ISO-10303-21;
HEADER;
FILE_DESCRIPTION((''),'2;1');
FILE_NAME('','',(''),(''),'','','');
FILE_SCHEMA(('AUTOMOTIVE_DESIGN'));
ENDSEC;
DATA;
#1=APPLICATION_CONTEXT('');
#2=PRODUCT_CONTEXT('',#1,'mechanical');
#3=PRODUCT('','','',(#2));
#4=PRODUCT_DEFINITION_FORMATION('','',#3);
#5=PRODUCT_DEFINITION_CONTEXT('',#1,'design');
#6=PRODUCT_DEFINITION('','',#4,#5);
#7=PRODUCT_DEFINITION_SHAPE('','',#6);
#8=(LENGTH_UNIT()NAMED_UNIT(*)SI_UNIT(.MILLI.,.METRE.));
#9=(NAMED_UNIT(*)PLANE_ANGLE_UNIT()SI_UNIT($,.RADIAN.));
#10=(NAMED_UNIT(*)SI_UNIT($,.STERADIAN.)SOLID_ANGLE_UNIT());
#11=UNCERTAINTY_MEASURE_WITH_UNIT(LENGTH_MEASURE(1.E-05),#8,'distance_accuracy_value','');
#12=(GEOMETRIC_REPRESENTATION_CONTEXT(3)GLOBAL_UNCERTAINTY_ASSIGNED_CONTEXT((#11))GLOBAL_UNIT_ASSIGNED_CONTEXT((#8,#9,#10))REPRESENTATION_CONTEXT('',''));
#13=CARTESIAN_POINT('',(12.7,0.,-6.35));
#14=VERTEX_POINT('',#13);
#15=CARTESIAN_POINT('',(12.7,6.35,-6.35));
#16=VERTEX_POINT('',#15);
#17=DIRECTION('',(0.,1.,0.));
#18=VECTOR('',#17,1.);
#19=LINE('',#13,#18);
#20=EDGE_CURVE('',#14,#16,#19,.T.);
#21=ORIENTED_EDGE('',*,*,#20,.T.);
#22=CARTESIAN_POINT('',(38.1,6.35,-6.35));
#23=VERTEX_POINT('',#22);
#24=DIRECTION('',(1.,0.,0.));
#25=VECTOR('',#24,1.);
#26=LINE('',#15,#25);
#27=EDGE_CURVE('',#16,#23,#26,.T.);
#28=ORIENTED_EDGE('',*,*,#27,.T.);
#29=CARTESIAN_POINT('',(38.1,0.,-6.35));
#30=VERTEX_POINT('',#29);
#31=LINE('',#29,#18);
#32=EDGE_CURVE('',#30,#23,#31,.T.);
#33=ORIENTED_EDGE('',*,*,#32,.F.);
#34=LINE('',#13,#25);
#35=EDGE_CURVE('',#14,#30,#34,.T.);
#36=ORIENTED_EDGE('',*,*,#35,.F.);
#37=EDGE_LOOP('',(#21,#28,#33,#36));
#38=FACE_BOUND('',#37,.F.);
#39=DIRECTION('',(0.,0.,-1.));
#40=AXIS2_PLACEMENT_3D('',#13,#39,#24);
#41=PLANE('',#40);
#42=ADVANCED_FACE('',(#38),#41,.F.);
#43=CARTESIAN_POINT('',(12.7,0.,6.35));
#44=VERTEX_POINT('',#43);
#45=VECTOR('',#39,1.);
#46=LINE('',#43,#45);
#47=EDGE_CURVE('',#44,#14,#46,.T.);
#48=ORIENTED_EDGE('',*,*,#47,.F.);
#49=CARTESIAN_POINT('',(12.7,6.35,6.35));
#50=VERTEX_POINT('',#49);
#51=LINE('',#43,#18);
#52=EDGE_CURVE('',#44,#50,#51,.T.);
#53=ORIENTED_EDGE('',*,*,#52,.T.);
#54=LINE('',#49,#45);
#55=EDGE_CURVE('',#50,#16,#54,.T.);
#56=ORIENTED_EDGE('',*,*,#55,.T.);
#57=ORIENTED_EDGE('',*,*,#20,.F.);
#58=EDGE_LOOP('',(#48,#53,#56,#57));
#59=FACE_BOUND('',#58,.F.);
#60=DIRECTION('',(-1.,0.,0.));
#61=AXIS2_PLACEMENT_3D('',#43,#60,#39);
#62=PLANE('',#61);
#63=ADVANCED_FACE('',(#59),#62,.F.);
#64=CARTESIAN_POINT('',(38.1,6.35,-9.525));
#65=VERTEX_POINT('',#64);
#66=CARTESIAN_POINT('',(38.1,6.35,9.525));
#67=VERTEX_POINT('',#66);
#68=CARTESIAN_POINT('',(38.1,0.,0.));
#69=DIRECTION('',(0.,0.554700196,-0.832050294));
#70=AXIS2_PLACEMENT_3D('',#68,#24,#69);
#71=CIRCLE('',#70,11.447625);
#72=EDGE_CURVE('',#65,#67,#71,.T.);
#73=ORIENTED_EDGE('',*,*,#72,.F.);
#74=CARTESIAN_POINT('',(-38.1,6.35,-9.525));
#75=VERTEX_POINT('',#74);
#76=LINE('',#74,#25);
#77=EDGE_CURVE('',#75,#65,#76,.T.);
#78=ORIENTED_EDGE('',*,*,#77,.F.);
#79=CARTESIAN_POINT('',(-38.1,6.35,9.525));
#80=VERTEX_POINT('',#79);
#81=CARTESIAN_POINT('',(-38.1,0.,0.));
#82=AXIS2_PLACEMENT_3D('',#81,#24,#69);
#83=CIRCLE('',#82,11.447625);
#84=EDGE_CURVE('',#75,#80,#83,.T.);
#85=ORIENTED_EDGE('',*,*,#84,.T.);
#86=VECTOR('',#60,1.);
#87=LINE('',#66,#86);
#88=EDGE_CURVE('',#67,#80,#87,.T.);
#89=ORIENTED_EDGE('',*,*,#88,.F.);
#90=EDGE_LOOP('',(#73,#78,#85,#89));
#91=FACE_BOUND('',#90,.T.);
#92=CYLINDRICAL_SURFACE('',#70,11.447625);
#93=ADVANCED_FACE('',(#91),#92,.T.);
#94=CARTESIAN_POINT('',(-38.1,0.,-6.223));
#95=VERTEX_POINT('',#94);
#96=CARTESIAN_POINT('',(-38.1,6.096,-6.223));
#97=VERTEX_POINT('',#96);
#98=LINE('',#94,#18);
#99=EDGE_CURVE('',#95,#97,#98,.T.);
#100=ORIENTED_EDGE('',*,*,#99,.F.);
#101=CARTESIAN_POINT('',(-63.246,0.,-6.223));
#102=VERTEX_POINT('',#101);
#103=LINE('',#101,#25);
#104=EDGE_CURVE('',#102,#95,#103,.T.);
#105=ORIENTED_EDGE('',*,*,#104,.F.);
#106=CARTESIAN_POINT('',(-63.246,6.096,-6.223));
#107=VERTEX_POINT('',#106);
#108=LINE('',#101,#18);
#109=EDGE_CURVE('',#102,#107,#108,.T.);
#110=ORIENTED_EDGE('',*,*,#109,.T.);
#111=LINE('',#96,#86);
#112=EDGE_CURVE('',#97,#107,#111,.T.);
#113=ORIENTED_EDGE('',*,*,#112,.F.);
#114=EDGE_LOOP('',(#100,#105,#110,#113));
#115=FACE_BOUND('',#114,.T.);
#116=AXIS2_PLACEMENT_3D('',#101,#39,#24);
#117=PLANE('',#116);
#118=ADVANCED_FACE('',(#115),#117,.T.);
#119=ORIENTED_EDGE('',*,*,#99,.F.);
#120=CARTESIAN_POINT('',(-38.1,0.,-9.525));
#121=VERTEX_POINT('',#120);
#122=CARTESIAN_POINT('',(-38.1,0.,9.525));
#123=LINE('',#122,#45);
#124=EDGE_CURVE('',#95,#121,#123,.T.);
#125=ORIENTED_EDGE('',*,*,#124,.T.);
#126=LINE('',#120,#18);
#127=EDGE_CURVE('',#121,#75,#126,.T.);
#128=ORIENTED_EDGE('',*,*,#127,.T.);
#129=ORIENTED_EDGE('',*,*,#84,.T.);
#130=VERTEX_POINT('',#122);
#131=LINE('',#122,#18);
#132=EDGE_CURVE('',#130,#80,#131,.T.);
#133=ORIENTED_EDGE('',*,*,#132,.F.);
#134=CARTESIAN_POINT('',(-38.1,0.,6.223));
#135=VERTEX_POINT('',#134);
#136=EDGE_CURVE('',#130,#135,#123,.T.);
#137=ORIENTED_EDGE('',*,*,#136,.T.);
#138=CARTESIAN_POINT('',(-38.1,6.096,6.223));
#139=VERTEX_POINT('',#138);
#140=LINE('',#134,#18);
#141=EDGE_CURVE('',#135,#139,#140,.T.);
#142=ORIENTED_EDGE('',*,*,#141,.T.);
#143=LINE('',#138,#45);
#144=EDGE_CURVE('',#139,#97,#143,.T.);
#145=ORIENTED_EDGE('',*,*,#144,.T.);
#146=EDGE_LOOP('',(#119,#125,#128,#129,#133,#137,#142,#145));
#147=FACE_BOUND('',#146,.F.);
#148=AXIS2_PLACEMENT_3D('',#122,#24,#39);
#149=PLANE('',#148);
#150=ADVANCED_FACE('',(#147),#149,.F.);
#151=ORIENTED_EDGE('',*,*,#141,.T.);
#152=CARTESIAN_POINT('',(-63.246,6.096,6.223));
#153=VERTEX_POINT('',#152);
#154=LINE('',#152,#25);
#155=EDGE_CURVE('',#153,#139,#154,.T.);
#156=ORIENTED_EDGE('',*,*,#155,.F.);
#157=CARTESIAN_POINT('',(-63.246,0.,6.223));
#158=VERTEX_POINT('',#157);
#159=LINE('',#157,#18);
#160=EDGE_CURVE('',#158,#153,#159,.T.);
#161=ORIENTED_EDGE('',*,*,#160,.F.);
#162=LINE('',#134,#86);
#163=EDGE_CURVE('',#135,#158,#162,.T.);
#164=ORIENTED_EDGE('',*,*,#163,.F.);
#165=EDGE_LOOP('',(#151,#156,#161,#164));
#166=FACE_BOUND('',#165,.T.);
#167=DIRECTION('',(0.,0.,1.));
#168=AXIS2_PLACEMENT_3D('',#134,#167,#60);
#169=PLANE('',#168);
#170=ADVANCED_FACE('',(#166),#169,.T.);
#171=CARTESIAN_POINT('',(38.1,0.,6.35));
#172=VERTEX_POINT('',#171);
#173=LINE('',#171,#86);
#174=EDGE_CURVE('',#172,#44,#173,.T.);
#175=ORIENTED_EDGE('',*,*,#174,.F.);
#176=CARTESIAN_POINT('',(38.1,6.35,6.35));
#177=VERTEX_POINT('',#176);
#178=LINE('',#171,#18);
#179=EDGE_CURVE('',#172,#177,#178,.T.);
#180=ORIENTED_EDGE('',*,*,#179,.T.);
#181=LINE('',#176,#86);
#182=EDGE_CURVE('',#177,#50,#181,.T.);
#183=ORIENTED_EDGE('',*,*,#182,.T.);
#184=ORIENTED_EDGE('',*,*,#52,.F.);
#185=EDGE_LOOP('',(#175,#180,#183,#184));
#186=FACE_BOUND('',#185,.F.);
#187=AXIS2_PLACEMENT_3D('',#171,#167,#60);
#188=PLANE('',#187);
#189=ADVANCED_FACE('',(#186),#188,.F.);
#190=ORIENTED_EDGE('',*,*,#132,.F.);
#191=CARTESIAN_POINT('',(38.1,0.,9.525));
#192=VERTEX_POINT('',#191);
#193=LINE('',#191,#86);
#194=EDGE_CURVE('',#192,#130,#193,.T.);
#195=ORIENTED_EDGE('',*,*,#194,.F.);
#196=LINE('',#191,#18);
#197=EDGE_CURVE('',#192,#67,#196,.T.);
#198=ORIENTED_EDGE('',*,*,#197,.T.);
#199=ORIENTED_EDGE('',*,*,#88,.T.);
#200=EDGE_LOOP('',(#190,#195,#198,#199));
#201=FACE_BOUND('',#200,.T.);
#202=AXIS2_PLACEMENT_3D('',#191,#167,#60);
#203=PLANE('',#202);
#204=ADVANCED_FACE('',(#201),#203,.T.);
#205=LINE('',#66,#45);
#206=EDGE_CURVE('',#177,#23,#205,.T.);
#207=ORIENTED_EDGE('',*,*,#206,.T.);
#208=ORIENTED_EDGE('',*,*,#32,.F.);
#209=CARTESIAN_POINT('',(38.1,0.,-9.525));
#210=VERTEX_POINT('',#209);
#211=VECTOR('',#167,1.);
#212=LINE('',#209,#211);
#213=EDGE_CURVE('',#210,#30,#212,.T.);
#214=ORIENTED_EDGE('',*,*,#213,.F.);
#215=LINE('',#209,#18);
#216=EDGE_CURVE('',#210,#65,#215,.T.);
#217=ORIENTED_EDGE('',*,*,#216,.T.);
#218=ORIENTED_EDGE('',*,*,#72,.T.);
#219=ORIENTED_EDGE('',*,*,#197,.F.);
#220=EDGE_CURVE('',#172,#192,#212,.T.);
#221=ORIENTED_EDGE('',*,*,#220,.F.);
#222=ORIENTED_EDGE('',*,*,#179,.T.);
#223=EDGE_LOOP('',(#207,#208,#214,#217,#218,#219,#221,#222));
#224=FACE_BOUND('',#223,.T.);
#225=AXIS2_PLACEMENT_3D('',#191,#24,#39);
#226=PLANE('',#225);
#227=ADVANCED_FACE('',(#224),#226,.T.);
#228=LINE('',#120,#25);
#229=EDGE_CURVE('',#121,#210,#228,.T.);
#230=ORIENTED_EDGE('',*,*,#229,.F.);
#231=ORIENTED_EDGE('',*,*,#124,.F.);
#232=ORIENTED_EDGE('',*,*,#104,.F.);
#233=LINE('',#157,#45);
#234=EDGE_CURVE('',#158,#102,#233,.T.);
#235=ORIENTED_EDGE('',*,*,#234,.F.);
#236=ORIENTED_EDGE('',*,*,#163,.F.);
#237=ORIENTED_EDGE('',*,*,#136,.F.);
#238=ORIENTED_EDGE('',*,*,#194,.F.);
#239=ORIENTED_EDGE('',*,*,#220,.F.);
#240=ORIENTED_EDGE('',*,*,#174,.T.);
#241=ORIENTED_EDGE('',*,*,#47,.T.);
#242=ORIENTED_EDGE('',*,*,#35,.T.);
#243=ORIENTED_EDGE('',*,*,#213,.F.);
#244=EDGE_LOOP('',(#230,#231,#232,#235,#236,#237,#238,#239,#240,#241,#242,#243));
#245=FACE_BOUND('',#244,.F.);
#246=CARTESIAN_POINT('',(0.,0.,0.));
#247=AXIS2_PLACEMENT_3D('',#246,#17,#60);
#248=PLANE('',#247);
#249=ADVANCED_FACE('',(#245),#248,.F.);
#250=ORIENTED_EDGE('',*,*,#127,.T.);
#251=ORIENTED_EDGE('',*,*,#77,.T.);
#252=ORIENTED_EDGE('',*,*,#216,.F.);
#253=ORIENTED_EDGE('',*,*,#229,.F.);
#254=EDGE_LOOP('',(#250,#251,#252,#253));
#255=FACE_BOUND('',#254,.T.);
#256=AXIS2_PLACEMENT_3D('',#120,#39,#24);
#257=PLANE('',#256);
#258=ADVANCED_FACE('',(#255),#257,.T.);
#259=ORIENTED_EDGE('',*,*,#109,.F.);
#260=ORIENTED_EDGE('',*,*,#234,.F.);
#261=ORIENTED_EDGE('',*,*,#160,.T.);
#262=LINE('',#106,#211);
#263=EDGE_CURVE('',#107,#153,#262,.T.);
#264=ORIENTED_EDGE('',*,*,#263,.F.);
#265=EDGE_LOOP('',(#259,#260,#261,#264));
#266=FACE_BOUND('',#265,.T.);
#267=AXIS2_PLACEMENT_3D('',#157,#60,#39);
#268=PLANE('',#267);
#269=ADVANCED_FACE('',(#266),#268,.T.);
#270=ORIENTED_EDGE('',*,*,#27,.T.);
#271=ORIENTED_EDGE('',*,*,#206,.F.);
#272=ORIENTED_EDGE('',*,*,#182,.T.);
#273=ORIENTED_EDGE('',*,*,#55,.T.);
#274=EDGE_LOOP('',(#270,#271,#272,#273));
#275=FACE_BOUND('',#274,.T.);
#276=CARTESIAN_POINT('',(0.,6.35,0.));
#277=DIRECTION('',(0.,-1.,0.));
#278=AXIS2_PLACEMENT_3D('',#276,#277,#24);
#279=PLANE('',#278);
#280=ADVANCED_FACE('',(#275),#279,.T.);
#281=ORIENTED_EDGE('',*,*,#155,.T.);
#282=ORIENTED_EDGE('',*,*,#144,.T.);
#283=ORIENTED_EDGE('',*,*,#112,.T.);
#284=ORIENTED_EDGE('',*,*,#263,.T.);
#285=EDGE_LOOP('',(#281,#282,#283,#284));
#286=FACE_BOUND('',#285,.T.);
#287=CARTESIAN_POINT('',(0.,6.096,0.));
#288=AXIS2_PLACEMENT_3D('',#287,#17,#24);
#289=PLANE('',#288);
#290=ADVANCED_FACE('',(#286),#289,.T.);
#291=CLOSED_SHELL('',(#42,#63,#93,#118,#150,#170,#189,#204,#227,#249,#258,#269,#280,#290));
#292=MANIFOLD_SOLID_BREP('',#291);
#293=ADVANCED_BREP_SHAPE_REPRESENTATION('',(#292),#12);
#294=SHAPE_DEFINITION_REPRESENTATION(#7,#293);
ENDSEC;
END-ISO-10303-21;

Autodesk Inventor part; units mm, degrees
ref_plane "YZ Plane" through (0, 0, 0) normal (1, 0, 0) x (0, 1, 0)
ref_plane "XZ Plane" through (0, 0, 0) normal (0, 1, 0) x (-1, 0, 0)
ref_plane "XY Plane" through (0, 0, 0) normal (0, 0, 1) x (1, 0, 0)
sketch "Sketch1" plane through (0, 0, 0) normal (0, 1, 0) x (-1, 0, 0)
  line L0 (-38.1, 9.525) -> (38.1, 9.525)
  line L1 (38.1, 9.525) -> (38.1, -9.525)
  line L2 (38.1, -9.525) -> (-38.1, -9.525)
  line L3 (-38.1, -9.525) -> (-38.1, 9.525)
  line L4 (38.1, 6.223) -> (63.246, 6.223)
  line L5 (63.246, 6.223) -> (63.246, -6.223)
  line L6 (63.246, -6.223) -> (38.1, -6.223)
  line L7 (38.1, -6.223) -> (38.1, 6.223)
  point P0 (0, 0)
  point P1 (38.1, 0)
  dimension "d0" = 76.2
  dimension "d1" = 19.05
  dimension "d2" = 9.525
  dimension "d3" = 38.1
  dimension "d4" = 25.146
  dimension "d5" = 12.446
  dimension "d6" = 6.223
extrude "Extrusion1" add sketch "Sketch1" along normal blind 6.35
sketch "Sketch2" plane through (38.1, 0, 9.525) normal (1, 0, 0) x (0, 0, -1)
  line L0 (0, 0) -> (19.05, 0) projected
  line L1 (19.05, 0) -> (19.05, 6.35) projected
  line L2 (0, 6.35) -> (19.05, 6.35) projected
  line L3 (0, 0) -> (0, 6.35) projected
  line L4 (19.05, 0) -> (19.05, 6.35) projected
  line L5 (0, 0) -> (0, 6.35) projected
  arc A0 (19.05, 6.35) -> (0, 6.35) centre (9.525, 0) ccw
  point P0 (9.525, 0)
extrude "Extrusion2" add sketch "Sketch2" against normal blind 76.2 contours A0 L2
sketch "Sketch3" plane through (0, 0, 0) normal (0, -1, 0) x (1, 0, 0)
  line L0 (38.1, 9.525) -> (38.1, -9.525) projected
  line L1 (-38.1, 9.525) -> (38.1, 9.525) projected
  line L2 (-38.1, 6.223) -> (-38.1, 9.525) projected
  line L3 (-63.246, 6.223) -> (-38.1, 6.223) projected
  line L4 (-63.246, -6.223) -> (-63.246, 6.223) projected
  line L5 (-38.1, -6.223) -> (-63.246, -6.223) projected
  line L6 (-38.1, -9.525) -> (-38.1, -6.223) projected
  line L7 (38.1, -9.525) -> (-38.1, -9.525) projected
  line L8 (38.1, -9.525) -> (38.1, 9.525) projected
  line L9 (38.1, 6.35) -> (12.7, 6.35)
  line L10 (12.7, 6.35) -> (12.7, -6.35)
  line L11 (12.7, -6.35) -> (38.1, -6.35)
  line L12 (38.1, -6.35) -> (38.1, 6.35)
  point P0 (0, 0)
  point P1 (38.1, 0)
  dimension "d11" = 12.7
  dimension "d12" = 12.446
  dimension "d13" = 6.35
  dimension "d14" = 25.4
extrude "Extrusion3" cut sketch "Sketch3" against normal blind 6.35 contours L0 L11 L10 L9
sketch "Sketch4" plane through (0, 6.35, 0) normal (0, 1, 0) x (1, 0, 0)
  line L0 (-38.1, -6.223) -> (-38.1, 6.223) projected
  line L1 (-38.1, 6.223) -> (-63.246, 6.223) projected
  line L2 (-63.246, 6.223) -> (-63.246, -6.223) projected
  line L3 (-63.246, -6.223) -> (-38.1, -6.223) projected
  point P0 (0, 0)
extrude "Extrusion4" cut sketch "Sketch4" against normal blind 0.254
equation "\"d2\" = 0.5 * d1"
equation "\"d3\" = 0.5 * d0"
equation "\"d6\" = 0.5 * d5"
equation "\"d13\" = 0.5 * d11"
properties part number "Part_3_hand_extention"
